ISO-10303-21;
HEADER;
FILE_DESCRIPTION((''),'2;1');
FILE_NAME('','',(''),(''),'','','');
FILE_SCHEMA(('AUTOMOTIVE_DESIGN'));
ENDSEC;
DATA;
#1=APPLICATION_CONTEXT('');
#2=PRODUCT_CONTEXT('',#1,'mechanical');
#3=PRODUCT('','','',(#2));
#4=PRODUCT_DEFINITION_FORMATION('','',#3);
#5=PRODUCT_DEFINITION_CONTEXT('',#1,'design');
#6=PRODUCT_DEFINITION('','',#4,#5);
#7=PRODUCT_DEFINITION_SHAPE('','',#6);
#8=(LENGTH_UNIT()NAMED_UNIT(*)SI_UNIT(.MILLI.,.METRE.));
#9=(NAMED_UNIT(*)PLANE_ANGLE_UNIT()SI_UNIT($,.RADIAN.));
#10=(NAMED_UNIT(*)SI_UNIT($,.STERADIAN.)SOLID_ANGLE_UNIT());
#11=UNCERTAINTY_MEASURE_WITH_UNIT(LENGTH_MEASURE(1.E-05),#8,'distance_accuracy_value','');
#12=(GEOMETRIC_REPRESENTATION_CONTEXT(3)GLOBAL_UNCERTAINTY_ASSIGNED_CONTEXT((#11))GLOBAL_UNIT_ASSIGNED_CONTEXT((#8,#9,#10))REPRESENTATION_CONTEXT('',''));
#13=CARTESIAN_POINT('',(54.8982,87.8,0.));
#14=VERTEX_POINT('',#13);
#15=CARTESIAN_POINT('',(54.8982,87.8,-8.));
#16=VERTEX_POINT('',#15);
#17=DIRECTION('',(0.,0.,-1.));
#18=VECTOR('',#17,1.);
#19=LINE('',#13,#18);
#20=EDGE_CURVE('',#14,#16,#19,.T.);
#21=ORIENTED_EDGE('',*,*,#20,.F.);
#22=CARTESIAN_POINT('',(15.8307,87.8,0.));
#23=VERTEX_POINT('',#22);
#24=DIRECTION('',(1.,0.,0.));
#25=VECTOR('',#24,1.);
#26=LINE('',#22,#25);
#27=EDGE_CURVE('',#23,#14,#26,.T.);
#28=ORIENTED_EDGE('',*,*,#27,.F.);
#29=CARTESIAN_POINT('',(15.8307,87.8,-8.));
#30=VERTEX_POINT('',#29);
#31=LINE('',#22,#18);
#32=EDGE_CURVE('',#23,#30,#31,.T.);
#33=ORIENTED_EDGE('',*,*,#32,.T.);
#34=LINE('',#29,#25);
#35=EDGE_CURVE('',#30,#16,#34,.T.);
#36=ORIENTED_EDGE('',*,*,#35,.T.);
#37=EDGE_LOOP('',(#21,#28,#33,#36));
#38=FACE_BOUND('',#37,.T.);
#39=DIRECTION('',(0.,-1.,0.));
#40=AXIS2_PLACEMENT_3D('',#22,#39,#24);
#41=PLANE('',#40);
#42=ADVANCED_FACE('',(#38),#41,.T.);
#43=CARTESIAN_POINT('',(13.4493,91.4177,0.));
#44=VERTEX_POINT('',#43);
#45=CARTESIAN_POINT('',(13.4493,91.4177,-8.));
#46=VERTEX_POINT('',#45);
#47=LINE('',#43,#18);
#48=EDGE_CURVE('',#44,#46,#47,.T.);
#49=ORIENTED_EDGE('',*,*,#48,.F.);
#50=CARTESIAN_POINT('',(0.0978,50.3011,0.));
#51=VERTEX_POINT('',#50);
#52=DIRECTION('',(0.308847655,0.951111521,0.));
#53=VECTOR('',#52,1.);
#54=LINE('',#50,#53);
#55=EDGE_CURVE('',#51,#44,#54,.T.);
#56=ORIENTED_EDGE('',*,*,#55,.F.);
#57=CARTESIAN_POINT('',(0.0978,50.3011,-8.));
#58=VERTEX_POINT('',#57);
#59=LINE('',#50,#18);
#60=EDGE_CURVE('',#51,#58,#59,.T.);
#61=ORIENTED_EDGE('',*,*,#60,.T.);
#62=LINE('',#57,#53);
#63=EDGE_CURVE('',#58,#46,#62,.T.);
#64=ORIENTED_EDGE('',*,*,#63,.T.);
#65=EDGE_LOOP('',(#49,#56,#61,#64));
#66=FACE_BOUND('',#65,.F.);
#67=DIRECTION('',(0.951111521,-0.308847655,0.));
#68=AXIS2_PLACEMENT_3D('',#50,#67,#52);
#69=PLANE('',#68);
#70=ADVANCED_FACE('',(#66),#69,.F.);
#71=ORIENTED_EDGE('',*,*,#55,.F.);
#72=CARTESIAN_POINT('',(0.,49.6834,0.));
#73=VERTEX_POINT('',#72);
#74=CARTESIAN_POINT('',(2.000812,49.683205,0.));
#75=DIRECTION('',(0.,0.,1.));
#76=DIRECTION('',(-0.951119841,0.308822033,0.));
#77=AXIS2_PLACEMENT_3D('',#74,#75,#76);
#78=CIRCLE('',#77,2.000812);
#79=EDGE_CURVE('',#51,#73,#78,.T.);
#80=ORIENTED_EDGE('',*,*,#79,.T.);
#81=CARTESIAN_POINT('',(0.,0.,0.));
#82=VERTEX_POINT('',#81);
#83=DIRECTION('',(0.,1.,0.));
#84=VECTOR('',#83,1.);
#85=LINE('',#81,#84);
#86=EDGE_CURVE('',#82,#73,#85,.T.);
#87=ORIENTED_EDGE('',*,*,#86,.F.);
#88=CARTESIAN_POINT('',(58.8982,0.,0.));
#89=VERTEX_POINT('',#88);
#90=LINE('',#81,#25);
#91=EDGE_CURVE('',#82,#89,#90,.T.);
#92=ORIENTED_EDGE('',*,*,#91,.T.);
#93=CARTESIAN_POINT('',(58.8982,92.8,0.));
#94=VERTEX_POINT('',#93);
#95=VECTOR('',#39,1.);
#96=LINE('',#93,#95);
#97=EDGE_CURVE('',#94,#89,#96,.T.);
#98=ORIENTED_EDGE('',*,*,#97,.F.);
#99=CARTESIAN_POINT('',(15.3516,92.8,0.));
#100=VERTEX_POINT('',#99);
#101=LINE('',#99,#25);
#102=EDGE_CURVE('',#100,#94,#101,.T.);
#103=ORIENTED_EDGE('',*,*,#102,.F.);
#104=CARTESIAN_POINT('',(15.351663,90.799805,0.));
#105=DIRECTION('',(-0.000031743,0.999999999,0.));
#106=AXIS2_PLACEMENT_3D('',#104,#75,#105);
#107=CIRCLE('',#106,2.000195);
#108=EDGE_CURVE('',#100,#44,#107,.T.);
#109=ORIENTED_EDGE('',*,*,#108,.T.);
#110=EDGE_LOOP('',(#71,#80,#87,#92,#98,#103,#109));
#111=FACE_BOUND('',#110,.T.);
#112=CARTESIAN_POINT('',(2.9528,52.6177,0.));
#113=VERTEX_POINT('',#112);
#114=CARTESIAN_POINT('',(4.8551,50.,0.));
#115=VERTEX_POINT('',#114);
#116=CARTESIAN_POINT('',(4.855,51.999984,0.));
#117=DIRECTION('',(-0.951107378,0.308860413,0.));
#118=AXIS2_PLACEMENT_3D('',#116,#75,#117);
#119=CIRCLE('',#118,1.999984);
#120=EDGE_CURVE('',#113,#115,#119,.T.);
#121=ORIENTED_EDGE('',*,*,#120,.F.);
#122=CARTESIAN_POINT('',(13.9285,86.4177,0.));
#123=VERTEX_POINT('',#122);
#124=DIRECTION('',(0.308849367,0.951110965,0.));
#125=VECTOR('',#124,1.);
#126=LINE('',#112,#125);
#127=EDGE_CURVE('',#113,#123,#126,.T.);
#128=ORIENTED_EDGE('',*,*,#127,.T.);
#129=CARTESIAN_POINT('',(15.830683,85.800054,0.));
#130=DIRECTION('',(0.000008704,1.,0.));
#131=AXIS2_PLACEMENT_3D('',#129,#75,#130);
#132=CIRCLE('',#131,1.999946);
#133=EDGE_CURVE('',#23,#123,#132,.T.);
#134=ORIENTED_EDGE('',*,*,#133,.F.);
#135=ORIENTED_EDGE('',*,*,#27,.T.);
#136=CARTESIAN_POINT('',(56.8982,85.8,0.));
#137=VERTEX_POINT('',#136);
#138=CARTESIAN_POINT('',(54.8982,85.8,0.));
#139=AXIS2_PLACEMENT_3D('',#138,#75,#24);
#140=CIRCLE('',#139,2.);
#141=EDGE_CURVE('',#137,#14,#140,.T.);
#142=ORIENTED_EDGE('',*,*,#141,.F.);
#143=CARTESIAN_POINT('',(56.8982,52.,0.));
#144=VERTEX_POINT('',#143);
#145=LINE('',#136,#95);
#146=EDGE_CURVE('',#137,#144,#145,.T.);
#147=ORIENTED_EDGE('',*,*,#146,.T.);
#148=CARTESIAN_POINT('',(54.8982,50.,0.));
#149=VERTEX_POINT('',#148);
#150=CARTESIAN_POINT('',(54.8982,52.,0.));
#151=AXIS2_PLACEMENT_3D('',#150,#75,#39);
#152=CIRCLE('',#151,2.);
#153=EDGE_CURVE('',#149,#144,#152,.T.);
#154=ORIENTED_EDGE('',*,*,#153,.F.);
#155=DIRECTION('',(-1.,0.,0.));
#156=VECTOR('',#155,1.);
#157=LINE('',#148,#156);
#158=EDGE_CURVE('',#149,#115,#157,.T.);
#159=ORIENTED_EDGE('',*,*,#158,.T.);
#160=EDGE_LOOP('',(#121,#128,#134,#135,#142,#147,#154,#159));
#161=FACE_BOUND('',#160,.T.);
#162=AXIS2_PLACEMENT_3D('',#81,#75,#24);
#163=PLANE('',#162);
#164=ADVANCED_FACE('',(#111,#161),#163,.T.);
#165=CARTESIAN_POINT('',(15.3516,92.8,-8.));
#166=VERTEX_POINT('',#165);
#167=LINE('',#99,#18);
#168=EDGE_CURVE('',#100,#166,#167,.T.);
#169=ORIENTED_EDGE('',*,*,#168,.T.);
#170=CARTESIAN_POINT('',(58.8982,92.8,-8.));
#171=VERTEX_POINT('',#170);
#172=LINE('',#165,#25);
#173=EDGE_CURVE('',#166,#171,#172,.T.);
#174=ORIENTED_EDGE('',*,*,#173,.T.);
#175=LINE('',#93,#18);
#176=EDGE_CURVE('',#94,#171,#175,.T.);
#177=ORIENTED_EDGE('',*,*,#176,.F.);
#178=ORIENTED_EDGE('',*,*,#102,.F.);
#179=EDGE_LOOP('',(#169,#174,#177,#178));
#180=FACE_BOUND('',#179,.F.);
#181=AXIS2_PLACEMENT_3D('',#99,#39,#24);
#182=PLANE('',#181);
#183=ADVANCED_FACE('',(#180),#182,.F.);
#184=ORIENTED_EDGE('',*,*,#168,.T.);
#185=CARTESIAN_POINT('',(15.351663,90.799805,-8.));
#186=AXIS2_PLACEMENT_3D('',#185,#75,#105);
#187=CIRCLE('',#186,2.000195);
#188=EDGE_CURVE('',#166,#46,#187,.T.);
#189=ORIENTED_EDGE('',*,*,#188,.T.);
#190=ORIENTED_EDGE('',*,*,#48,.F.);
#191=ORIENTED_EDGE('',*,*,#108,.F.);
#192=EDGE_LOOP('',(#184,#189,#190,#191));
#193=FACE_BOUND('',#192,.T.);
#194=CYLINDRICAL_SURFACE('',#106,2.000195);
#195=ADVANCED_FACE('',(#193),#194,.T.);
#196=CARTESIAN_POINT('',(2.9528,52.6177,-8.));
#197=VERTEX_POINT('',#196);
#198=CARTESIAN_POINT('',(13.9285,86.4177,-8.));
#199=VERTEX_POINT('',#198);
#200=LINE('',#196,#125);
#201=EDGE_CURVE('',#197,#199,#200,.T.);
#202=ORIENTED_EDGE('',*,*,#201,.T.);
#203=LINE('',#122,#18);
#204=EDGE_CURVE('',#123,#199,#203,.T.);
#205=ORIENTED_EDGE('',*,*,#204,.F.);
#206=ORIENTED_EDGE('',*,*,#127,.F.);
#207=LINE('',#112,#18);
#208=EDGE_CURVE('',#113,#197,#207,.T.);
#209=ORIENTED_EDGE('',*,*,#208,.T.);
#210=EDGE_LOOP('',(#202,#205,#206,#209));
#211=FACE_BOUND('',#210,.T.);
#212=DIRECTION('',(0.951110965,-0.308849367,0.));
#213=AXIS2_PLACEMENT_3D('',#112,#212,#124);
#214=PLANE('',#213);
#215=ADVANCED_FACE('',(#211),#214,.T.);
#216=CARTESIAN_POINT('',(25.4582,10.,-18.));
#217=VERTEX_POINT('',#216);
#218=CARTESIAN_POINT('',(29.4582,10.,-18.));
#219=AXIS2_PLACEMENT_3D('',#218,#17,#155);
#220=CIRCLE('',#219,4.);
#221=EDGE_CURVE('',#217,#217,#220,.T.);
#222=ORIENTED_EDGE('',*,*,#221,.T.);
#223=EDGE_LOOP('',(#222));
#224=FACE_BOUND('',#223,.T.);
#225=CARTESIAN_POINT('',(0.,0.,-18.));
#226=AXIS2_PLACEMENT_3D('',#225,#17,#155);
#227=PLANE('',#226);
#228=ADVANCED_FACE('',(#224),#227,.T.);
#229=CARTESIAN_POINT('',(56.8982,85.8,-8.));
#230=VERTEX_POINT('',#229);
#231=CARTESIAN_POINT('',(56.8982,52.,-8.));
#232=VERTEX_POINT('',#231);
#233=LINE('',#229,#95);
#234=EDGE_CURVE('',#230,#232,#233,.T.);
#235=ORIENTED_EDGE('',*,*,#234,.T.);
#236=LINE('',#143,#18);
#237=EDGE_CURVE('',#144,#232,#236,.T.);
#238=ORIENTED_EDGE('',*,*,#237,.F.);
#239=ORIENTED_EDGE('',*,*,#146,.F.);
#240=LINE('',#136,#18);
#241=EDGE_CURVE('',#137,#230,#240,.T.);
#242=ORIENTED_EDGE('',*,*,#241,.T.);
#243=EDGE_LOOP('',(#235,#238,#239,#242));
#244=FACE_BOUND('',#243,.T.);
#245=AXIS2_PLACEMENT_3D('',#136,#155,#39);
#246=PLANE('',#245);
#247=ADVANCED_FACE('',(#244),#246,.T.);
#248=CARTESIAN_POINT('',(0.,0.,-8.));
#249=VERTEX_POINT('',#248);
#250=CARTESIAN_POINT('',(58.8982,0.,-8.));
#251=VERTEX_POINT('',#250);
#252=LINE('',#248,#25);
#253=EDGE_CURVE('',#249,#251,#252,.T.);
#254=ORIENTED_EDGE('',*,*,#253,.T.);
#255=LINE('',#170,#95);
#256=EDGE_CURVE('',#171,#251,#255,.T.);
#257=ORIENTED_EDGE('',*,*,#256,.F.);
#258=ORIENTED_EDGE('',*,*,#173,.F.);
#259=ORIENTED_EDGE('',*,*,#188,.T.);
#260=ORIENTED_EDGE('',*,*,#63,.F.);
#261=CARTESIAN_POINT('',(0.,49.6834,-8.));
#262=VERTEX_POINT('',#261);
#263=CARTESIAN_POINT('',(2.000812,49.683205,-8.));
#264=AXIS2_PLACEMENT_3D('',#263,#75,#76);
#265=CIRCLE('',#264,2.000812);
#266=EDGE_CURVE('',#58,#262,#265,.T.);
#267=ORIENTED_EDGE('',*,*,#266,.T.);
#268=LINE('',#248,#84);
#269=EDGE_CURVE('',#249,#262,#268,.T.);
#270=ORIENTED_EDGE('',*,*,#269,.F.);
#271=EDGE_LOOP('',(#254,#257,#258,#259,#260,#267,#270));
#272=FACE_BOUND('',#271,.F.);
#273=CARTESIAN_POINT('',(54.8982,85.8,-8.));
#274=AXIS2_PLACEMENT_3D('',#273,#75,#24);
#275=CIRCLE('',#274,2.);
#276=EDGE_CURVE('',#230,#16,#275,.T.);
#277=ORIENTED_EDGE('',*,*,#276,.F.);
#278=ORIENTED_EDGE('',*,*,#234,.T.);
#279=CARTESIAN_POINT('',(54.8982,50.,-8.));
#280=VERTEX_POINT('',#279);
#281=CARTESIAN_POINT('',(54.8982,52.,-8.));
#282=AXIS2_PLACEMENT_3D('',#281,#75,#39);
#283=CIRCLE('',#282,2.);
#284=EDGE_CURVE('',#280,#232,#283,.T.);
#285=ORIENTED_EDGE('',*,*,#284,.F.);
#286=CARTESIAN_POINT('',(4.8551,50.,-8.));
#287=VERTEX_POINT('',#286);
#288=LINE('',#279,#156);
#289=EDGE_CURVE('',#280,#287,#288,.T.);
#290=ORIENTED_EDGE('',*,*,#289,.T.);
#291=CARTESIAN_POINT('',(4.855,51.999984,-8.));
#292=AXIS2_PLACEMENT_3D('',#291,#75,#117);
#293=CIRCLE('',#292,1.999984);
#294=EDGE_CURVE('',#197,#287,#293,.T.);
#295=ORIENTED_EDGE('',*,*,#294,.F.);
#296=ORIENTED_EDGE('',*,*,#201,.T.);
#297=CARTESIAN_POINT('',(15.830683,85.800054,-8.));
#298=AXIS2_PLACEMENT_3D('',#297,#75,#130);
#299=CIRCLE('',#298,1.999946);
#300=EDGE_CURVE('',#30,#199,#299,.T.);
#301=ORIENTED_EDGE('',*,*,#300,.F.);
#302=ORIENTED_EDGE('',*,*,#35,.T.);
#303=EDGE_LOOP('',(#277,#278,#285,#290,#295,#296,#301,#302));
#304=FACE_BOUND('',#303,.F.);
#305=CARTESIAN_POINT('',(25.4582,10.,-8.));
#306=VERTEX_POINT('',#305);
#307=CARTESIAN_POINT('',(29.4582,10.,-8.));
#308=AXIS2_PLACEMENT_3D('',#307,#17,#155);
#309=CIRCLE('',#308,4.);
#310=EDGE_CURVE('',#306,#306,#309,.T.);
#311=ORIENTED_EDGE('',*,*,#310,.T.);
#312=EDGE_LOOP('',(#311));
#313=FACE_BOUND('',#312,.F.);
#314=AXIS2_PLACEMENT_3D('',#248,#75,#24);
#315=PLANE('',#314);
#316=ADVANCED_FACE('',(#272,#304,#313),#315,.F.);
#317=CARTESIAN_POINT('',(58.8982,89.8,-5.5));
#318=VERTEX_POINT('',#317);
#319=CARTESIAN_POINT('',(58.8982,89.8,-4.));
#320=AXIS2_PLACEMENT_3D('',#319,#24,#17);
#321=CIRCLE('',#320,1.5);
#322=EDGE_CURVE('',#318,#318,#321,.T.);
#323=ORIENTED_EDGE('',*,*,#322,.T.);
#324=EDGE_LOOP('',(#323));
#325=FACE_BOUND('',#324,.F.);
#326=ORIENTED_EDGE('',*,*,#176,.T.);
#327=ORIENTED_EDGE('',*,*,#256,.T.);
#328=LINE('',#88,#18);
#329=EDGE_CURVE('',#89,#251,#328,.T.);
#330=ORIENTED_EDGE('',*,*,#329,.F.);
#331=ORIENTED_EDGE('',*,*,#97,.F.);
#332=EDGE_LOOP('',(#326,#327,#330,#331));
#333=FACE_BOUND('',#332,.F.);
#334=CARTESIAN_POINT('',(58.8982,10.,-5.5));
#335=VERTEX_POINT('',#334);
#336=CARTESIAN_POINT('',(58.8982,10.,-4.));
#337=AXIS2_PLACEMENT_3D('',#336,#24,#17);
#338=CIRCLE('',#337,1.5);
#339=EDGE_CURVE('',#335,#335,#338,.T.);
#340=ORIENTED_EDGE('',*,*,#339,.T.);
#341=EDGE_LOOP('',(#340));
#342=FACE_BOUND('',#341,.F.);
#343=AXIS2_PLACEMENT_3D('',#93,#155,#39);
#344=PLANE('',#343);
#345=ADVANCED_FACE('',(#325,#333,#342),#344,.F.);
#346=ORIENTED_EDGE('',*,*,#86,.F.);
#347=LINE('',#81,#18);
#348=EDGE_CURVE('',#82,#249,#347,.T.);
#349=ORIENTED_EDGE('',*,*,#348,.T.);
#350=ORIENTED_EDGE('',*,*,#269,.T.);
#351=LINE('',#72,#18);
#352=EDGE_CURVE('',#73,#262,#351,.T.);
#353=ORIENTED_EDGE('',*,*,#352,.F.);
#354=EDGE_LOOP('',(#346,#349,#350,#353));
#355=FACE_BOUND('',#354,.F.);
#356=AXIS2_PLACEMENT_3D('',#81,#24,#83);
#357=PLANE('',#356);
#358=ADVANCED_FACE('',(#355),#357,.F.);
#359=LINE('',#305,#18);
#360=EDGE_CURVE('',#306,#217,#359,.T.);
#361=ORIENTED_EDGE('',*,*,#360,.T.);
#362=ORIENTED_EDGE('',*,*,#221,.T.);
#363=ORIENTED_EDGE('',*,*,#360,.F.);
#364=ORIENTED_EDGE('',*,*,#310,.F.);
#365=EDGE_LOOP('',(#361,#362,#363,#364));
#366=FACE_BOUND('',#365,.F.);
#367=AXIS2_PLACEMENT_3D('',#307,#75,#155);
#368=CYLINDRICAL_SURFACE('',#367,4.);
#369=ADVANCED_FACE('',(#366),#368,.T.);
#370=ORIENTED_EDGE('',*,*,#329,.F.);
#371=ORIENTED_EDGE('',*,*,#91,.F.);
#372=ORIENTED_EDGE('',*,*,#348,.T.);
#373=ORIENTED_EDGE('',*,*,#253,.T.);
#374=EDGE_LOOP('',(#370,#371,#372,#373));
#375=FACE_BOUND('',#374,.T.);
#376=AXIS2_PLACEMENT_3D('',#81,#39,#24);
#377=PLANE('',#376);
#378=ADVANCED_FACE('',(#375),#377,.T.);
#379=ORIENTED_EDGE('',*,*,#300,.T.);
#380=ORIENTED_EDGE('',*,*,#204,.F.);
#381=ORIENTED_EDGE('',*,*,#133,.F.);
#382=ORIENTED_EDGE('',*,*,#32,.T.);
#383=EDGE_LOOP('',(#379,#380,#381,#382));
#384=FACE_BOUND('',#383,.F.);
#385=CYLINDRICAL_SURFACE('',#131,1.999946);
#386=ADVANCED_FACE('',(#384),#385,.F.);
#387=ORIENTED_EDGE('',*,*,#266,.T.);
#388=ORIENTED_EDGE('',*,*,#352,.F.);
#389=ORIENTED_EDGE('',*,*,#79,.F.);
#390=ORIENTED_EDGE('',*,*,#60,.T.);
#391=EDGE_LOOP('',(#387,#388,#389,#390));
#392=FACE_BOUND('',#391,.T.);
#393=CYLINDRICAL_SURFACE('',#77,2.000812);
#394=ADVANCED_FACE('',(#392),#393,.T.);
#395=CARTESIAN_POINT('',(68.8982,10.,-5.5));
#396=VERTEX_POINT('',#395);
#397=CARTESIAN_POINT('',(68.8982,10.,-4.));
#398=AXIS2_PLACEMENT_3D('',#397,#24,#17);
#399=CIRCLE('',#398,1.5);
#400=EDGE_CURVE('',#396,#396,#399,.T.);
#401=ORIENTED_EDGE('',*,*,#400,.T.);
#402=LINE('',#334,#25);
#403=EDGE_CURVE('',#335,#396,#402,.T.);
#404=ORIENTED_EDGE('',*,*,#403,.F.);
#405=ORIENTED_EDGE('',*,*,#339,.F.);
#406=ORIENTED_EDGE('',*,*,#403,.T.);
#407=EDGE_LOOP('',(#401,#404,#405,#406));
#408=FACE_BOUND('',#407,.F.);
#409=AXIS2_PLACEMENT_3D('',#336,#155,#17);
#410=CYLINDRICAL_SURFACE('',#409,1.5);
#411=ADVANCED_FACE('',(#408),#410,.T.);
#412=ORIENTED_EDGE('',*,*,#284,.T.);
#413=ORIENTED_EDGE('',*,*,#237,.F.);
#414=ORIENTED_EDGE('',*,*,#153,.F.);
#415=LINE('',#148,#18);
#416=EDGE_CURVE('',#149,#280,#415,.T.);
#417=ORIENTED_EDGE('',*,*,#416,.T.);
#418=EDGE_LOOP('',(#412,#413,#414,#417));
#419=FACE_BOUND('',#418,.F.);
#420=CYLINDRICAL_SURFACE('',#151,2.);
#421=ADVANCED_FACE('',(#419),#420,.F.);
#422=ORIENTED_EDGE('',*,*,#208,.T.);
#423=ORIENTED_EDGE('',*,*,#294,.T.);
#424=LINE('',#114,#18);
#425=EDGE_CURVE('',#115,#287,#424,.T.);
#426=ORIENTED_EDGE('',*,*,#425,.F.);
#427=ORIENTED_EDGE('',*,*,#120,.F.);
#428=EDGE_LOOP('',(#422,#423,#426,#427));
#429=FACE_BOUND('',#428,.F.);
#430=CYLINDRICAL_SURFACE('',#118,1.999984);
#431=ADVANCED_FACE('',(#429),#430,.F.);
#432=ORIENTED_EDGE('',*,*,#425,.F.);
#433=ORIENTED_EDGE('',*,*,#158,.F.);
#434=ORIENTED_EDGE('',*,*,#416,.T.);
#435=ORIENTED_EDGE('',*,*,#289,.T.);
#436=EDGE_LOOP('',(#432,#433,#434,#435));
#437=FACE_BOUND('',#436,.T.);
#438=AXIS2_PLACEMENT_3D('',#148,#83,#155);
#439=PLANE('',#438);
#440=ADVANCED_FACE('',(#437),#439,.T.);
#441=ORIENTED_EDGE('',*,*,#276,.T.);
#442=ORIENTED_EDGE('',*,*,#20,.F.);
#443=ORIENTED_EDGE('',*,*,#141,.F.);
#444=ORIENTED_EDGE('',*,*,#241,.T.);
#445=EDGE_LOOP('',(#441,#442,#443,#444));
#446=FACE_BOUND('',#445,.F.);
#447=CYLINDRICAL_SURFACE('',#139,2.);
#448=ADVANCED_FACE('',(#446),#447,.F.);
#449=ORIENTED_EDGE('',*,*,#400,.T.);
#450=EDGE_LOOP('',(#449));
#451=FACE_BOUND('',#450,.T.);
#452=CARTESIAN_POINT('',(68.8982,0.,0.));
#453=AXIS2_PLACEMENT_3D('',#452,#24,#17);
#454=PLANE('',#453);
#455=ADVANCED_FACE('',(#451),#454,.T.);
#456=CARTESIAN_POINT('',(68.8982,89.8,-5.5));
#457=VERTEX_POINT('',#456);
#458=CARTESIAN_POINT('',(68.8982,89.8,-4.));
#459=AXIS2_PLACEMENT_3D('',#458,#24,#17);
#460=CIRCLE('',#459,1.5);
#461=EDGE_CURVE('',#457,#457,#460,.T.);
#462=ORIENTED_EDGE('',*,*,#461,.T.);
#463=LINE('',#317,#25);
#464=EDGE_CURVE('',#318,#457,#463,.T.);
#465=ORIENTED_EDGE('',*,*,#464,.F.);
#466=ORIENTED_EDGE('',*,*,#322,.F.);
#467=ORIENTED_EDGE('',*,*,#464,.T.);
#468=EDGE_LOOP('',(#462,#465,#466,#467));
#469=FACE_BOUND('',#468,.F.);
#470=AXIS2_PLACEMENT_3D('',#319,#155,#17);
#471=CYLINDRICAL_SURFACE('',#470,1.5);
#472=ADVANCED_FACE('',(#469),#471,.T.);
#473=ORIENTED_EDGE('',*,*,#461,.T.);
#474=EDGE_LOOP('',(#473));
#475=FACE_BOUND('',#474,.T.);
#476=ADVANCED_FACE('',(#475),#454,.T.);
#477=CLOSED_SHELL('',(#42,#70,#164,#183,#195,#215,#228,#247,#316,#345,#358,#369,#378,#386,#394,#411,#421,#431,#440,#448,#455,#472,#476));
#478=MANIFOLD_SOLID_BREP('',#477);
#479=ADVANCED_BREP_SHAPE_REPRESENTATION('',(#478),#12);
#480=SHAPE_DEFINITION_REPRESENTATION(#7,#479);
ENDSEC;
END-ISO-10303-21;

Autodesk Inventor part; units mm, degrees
ref_plane "YZ Plane" through (0, 0, 0) normal (1, 0, 0) x (0, 1, 0)
ref_plane "XZ Plane" through (0, 0, 0) normal (0, 1, 0) x (-1, 0, 0)
ref_plane "XY Plane" through (0, 0, 0) normal (0, 0, 1) x (1, 0, 0)
sketch "Boceto1" plane through (0, 0, 0) normal (0, 0, 1) x (1, 0, 0)
  line L0 (0, 0) -> (0, 49.6834)
  line L1 (0.0978, 50.3011) -> (13.4493, 91.4177)
  line L2 (58.8982, 92.8) -> (58.8982, 0)
  arc A0 (15.3516, 92.8) -> (13.4493, 91.4177) centre (15.3516, 90.8) ccw
  arc A1 (0.0978, 50.3011) -> (0, 49.6834) centre (2, 49.6834) ccw
  line L3 (2.9528, 52.6177) -> (13.9285, 86.4177)
  line L4 (15.8307, 87.8) -> (54.8982, 87.8)
  line L5 (56.8982, 85.8) -> (56.8982, 52)
  line L6 (54.8982, 50) -> (4.8551, 50)
  arc A2 (15.8307, 87.8) -> (13.9285, 86.4177) centre (15.8307, 85.8) ccw
  arc A3 (56.8982, 85.8) -> (54.8982, 87.8) centre (54.8982, 85.8) ccw
  arc A4 (54.8982, 50) -> (56.8982, 52) centre (54.8982, 52) ccw
  arc A5 (2.9528, 52.6177) -> (4.8551, 50) centre (4.8551, 52) ccw
  line L7 (0, 0) -> (58.8982, 0)
  line L8 (15.3516, 92.8) -> (58.8982, 92.8)
  point P0 (0, 50)
  point P1 (13.8982, 92.8)
  point P2 (2.1028, 50)
  point P3 (0.0246, 49.9961)
  dimension "d31" = 45
  dimension "d32" = 50
  dimension "d33" = 45
  dimension "d43" = 2
  dimension "d48" = 2
  dimension "d49" = 2
  dimension "d50" = 2
  dimension "d57" = 92.8
  dimension "d58" = 5
  dimension "d59" = 13.4493
  dimension "d60" = 162.01
extrude "Extrusión3" add sketch "Boceto1" against normal blind 8
sketch "Boceto2" plane through (58.8982, 0, 0) normal (1, 0, 0) x (0, 0, -1)
  circle A0 centre (4, 10) radius 1.5
  circle A1 centre (4, 89.8) radius 1.5
  line L0 (0, 0) -> (8, 0) projected
  line L1 (0, 0) -> (0, 49.6834) projected
  line L2 (0, 92.8) -> (8, 92.8) projected
  line L3 (0, 92.8) -> (0, 0) projected
  dimension "d61" = 3
  dimension "d62" = 10
  dimension "d63" = 4
  dimension "d64" = 3
  dimension "d65" = 4
extrude "Extrusión4" add sketch "Boceto2" along normal blind 10
sketch "Boceto3" plane through (0, 0, -8) normal (0, 0, -1) x (-1, 0, 0)
  circle A0 centre (-29.4582, 10) radius 4
  line L0 (-58.8982, 0) -> (0, 0) projected
  line L1 (-58.8982, 92.8) -> (-58.8982, 0) projected
  dimension "d68" = 10
  dimension "d69" = 29.44
  dimension "d72" = 8
extrude "Extrusión5" add sketch "Boceto3" along normal blind 10
properties part number "Puerta"
